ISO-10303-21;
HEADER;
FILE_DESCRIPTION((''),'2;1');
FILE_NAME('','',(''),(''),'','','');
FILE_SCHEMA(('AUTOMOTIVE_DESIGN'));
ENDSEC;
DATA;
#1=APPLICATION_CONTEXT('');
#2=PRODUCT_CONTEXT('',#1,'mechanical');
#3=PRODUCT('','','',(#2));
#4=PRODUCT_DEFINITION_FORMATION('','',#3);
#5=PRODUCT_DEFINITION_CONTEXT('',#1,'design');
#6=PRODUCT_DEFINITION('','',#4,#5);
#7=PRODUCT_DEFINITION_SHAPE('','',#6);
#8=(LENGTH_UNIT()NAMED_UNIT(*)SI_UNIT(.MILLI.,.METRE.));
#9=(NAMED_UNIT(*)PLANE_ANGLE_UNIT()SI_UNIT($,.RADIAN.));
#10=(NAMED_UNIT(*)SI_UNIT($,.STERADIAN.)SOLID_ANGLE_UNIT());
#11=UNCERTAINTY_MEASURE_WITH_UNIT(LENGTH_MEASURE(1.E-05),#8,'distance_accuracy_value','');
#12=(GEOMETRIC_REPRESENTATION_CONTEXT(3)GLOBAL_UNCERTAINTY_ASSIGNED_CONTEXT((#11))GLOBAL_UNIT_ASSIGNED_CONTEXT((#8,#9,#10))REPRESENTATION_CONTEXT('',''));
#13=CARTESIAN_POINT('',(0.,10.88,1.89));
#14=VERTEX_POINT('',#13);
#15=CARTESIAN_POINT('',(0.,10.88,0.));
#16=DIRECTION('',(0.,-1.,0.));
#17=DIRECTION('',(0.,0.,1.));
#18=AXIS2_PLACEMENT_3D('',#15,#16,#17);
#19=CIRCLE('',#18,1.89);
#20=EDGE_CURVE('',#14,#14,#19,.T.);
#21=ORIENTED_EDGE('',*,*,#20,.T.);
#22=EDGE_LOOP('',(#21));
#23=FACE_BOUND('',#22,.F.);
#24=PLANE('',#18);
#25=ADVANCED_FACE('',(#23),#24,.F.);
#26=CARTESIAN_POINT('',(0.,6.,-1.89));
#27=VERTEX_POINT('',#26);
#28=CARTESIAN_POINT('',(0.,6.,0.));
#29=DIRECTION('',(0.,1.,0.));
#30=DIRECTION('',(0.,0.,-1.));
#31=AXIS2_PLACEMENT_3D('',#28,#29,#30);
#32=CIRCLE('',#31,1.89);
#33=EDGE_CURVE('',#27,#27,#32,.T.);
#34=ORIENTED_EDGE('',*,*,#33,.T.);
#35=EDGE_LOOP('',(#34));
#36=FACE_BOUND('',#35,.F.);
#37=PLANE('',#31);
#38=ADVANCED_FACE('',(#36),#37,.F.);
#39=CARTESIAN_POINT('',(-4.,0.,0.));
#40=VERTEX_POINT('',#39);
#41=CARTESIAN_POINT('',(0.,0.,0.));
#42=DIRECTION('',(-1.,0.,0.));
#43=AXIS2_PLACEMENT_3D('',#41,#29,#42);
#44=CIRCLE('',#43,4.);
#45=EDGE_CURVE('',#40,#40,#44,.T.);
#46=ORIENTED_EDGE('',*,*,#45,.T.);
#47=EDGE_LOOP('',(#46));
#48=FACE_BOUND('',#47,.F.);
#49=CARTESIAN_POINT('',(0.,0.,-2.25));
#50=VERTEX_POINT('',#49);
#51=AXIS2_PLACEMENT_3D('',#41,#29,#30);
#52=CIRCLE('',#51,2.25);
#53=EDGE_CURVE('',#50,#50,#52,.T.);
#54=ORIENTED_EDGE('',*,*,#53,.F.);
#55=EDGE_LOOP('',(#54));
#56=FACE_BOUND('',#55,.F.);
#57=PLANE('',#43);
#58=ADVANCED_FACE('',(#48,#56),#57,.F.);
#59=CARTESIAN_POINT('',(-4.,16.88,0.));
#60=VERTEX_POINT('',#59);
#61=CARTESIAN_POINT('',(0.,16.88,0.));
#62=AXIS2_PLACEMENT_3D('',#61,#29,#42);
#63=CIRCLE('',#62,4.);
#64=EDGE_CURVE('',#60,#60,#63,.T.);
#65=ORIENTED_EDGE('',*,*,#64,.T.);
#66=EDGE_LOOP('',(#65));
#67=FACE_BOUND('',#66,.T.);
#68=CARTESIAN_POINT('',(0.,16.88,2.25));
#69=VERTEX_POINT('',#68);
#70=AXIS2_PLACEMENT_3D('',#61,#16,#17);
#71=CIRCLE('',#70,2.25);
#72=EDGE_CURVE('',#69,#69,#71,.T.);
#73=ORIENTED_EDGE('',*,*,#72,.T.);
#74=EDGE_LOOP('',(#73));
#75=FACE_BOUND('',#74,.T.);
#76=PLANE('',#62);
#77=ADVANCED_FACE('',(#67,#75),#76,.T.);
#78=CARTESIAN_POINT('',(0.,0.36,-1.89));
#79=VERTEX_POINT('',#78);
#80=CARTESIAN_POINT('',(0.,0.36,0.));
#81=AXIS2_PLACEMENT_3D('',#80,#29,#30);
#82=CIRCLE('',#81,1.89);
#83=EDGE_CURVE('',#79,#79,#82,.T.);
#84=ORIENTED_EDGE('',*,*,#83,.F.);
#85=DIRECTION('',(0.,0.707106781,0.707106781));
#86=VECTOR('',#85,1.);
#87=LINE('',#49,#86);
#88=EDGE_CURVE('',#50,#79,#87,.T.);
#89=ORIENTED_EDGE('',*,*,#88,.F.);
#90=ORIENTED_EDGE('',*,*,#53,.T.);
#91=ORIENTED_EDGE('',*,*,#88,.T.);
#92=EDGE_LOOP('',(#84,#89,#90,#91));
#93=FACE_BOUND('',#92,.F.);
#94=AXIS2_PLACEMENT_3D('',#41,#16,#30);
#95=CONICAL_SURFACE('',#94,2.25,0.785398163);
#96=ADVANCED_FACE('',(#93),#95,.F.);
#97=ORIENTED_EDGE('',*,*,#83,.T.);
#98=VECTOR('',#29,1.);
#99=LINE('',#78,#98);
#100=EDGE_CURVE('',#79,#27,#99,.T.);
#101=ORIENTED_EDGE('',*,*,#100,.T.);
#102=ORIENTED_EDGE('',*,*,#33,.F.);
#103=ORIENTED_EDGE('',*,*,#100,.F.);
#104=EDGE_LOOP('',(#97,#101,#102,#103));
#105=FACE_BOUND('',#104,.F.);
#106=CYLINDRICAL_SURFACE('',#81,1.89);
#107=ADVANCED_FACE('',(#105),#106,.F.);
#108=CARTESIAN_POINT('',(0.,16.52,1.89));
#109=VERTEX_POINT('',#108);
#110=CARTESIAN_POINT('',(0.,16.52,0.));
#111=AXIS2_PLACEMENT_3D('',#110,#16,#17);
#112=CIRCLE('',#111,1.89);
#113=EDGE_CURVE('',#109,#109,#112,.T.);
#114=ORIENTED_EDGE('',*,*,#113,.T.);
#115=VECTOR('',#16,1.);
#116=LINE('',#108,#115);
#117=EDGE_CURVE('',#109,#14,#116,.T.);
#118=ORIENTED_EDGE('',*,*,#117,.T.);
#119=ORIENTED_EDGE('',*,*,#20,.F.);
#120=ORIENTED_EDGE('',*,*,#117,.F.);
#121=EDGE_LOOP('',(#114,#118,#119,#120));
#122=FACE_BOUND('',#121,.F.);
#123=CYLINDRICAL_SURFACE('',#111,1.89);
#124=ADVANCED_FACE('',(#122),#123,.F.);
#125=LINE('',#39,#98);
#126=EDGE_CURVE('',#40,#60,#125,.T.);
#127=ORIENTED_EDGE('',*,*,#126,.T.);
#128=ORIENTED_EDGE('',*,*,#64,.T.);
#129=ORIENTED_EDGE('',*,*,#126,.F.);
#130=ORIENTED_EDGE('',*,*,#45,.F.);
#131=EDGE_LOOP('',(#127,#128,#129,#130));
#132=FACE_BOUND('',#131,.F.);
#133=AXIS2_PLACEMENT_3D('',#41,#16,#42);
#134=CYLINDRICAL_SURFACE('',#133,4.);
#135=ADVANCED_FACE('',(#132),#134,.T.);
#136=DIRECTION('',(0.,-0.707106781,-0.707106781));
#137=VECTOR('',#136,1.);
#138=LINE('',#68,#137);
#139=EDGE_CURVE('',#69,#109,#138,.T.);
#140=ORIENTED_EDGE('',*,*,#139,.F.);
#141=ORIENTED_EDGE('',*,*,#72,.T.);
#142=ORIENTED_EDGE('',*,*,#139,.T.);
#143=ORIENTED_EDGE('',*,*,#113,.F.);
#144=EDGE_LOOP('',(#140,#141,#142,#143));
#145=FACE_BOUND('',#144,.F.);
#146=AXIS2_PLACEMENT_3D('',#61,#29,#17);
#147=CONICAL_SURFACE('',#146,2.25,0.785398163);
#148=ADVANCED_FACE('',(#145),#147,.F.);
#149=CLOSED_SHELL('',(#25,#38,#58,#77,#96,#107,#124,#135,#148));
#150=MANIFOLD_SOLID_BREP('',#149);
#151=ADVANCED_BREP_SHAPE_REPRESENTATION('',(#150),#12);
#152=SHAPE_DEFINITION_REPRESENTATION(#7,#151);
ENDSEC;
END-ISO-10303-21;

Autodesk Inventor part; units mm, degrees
ref_plane "YZ Plane" through (0, 0, 0) normal (1, 0, 0) x (0, 1, 0)
ref_plane "XZ Plane" through (0, 0, 0) normal (0, 1, 0) x (-1, 0, 0)
ref_plane "XY Plane" through (0, 0, 0) normal (0, 0, 1) x (1, 0, 0)
sketch "Sketch1" plane through (0, 0, 0) normal (0, 1, 0) x (-1, 0, 0)
  circle A0 centre (0, 0) radius 4
  dimension "d0" = 8
extrude "Extrusion1" add sketch "Sketch1" along normal blind 16.88
sketch "Sketch2" plane through (0, 16.88, 0) normal (0, 1, 0) x (1, 0, 0)
  point P0 (0, 0)
sketch "Sketch3" plane through (0, 0, 0) normal (0, -1, 0) x (1, 0, 0)
  point P0 (0, 0)
hole "Hole1" at (0, 0, 0) direction (0, 1, 0) diameter 3.78 depth 6 countersink diameter 4.5 countersink angle 90
hole "Hole2" at (0, 16.88, 0) direction (0, -1, 0) diameter 3.78 depth 6 countersink diameter 4.5 countersink angle 90
properties part number "Button Spacer"
